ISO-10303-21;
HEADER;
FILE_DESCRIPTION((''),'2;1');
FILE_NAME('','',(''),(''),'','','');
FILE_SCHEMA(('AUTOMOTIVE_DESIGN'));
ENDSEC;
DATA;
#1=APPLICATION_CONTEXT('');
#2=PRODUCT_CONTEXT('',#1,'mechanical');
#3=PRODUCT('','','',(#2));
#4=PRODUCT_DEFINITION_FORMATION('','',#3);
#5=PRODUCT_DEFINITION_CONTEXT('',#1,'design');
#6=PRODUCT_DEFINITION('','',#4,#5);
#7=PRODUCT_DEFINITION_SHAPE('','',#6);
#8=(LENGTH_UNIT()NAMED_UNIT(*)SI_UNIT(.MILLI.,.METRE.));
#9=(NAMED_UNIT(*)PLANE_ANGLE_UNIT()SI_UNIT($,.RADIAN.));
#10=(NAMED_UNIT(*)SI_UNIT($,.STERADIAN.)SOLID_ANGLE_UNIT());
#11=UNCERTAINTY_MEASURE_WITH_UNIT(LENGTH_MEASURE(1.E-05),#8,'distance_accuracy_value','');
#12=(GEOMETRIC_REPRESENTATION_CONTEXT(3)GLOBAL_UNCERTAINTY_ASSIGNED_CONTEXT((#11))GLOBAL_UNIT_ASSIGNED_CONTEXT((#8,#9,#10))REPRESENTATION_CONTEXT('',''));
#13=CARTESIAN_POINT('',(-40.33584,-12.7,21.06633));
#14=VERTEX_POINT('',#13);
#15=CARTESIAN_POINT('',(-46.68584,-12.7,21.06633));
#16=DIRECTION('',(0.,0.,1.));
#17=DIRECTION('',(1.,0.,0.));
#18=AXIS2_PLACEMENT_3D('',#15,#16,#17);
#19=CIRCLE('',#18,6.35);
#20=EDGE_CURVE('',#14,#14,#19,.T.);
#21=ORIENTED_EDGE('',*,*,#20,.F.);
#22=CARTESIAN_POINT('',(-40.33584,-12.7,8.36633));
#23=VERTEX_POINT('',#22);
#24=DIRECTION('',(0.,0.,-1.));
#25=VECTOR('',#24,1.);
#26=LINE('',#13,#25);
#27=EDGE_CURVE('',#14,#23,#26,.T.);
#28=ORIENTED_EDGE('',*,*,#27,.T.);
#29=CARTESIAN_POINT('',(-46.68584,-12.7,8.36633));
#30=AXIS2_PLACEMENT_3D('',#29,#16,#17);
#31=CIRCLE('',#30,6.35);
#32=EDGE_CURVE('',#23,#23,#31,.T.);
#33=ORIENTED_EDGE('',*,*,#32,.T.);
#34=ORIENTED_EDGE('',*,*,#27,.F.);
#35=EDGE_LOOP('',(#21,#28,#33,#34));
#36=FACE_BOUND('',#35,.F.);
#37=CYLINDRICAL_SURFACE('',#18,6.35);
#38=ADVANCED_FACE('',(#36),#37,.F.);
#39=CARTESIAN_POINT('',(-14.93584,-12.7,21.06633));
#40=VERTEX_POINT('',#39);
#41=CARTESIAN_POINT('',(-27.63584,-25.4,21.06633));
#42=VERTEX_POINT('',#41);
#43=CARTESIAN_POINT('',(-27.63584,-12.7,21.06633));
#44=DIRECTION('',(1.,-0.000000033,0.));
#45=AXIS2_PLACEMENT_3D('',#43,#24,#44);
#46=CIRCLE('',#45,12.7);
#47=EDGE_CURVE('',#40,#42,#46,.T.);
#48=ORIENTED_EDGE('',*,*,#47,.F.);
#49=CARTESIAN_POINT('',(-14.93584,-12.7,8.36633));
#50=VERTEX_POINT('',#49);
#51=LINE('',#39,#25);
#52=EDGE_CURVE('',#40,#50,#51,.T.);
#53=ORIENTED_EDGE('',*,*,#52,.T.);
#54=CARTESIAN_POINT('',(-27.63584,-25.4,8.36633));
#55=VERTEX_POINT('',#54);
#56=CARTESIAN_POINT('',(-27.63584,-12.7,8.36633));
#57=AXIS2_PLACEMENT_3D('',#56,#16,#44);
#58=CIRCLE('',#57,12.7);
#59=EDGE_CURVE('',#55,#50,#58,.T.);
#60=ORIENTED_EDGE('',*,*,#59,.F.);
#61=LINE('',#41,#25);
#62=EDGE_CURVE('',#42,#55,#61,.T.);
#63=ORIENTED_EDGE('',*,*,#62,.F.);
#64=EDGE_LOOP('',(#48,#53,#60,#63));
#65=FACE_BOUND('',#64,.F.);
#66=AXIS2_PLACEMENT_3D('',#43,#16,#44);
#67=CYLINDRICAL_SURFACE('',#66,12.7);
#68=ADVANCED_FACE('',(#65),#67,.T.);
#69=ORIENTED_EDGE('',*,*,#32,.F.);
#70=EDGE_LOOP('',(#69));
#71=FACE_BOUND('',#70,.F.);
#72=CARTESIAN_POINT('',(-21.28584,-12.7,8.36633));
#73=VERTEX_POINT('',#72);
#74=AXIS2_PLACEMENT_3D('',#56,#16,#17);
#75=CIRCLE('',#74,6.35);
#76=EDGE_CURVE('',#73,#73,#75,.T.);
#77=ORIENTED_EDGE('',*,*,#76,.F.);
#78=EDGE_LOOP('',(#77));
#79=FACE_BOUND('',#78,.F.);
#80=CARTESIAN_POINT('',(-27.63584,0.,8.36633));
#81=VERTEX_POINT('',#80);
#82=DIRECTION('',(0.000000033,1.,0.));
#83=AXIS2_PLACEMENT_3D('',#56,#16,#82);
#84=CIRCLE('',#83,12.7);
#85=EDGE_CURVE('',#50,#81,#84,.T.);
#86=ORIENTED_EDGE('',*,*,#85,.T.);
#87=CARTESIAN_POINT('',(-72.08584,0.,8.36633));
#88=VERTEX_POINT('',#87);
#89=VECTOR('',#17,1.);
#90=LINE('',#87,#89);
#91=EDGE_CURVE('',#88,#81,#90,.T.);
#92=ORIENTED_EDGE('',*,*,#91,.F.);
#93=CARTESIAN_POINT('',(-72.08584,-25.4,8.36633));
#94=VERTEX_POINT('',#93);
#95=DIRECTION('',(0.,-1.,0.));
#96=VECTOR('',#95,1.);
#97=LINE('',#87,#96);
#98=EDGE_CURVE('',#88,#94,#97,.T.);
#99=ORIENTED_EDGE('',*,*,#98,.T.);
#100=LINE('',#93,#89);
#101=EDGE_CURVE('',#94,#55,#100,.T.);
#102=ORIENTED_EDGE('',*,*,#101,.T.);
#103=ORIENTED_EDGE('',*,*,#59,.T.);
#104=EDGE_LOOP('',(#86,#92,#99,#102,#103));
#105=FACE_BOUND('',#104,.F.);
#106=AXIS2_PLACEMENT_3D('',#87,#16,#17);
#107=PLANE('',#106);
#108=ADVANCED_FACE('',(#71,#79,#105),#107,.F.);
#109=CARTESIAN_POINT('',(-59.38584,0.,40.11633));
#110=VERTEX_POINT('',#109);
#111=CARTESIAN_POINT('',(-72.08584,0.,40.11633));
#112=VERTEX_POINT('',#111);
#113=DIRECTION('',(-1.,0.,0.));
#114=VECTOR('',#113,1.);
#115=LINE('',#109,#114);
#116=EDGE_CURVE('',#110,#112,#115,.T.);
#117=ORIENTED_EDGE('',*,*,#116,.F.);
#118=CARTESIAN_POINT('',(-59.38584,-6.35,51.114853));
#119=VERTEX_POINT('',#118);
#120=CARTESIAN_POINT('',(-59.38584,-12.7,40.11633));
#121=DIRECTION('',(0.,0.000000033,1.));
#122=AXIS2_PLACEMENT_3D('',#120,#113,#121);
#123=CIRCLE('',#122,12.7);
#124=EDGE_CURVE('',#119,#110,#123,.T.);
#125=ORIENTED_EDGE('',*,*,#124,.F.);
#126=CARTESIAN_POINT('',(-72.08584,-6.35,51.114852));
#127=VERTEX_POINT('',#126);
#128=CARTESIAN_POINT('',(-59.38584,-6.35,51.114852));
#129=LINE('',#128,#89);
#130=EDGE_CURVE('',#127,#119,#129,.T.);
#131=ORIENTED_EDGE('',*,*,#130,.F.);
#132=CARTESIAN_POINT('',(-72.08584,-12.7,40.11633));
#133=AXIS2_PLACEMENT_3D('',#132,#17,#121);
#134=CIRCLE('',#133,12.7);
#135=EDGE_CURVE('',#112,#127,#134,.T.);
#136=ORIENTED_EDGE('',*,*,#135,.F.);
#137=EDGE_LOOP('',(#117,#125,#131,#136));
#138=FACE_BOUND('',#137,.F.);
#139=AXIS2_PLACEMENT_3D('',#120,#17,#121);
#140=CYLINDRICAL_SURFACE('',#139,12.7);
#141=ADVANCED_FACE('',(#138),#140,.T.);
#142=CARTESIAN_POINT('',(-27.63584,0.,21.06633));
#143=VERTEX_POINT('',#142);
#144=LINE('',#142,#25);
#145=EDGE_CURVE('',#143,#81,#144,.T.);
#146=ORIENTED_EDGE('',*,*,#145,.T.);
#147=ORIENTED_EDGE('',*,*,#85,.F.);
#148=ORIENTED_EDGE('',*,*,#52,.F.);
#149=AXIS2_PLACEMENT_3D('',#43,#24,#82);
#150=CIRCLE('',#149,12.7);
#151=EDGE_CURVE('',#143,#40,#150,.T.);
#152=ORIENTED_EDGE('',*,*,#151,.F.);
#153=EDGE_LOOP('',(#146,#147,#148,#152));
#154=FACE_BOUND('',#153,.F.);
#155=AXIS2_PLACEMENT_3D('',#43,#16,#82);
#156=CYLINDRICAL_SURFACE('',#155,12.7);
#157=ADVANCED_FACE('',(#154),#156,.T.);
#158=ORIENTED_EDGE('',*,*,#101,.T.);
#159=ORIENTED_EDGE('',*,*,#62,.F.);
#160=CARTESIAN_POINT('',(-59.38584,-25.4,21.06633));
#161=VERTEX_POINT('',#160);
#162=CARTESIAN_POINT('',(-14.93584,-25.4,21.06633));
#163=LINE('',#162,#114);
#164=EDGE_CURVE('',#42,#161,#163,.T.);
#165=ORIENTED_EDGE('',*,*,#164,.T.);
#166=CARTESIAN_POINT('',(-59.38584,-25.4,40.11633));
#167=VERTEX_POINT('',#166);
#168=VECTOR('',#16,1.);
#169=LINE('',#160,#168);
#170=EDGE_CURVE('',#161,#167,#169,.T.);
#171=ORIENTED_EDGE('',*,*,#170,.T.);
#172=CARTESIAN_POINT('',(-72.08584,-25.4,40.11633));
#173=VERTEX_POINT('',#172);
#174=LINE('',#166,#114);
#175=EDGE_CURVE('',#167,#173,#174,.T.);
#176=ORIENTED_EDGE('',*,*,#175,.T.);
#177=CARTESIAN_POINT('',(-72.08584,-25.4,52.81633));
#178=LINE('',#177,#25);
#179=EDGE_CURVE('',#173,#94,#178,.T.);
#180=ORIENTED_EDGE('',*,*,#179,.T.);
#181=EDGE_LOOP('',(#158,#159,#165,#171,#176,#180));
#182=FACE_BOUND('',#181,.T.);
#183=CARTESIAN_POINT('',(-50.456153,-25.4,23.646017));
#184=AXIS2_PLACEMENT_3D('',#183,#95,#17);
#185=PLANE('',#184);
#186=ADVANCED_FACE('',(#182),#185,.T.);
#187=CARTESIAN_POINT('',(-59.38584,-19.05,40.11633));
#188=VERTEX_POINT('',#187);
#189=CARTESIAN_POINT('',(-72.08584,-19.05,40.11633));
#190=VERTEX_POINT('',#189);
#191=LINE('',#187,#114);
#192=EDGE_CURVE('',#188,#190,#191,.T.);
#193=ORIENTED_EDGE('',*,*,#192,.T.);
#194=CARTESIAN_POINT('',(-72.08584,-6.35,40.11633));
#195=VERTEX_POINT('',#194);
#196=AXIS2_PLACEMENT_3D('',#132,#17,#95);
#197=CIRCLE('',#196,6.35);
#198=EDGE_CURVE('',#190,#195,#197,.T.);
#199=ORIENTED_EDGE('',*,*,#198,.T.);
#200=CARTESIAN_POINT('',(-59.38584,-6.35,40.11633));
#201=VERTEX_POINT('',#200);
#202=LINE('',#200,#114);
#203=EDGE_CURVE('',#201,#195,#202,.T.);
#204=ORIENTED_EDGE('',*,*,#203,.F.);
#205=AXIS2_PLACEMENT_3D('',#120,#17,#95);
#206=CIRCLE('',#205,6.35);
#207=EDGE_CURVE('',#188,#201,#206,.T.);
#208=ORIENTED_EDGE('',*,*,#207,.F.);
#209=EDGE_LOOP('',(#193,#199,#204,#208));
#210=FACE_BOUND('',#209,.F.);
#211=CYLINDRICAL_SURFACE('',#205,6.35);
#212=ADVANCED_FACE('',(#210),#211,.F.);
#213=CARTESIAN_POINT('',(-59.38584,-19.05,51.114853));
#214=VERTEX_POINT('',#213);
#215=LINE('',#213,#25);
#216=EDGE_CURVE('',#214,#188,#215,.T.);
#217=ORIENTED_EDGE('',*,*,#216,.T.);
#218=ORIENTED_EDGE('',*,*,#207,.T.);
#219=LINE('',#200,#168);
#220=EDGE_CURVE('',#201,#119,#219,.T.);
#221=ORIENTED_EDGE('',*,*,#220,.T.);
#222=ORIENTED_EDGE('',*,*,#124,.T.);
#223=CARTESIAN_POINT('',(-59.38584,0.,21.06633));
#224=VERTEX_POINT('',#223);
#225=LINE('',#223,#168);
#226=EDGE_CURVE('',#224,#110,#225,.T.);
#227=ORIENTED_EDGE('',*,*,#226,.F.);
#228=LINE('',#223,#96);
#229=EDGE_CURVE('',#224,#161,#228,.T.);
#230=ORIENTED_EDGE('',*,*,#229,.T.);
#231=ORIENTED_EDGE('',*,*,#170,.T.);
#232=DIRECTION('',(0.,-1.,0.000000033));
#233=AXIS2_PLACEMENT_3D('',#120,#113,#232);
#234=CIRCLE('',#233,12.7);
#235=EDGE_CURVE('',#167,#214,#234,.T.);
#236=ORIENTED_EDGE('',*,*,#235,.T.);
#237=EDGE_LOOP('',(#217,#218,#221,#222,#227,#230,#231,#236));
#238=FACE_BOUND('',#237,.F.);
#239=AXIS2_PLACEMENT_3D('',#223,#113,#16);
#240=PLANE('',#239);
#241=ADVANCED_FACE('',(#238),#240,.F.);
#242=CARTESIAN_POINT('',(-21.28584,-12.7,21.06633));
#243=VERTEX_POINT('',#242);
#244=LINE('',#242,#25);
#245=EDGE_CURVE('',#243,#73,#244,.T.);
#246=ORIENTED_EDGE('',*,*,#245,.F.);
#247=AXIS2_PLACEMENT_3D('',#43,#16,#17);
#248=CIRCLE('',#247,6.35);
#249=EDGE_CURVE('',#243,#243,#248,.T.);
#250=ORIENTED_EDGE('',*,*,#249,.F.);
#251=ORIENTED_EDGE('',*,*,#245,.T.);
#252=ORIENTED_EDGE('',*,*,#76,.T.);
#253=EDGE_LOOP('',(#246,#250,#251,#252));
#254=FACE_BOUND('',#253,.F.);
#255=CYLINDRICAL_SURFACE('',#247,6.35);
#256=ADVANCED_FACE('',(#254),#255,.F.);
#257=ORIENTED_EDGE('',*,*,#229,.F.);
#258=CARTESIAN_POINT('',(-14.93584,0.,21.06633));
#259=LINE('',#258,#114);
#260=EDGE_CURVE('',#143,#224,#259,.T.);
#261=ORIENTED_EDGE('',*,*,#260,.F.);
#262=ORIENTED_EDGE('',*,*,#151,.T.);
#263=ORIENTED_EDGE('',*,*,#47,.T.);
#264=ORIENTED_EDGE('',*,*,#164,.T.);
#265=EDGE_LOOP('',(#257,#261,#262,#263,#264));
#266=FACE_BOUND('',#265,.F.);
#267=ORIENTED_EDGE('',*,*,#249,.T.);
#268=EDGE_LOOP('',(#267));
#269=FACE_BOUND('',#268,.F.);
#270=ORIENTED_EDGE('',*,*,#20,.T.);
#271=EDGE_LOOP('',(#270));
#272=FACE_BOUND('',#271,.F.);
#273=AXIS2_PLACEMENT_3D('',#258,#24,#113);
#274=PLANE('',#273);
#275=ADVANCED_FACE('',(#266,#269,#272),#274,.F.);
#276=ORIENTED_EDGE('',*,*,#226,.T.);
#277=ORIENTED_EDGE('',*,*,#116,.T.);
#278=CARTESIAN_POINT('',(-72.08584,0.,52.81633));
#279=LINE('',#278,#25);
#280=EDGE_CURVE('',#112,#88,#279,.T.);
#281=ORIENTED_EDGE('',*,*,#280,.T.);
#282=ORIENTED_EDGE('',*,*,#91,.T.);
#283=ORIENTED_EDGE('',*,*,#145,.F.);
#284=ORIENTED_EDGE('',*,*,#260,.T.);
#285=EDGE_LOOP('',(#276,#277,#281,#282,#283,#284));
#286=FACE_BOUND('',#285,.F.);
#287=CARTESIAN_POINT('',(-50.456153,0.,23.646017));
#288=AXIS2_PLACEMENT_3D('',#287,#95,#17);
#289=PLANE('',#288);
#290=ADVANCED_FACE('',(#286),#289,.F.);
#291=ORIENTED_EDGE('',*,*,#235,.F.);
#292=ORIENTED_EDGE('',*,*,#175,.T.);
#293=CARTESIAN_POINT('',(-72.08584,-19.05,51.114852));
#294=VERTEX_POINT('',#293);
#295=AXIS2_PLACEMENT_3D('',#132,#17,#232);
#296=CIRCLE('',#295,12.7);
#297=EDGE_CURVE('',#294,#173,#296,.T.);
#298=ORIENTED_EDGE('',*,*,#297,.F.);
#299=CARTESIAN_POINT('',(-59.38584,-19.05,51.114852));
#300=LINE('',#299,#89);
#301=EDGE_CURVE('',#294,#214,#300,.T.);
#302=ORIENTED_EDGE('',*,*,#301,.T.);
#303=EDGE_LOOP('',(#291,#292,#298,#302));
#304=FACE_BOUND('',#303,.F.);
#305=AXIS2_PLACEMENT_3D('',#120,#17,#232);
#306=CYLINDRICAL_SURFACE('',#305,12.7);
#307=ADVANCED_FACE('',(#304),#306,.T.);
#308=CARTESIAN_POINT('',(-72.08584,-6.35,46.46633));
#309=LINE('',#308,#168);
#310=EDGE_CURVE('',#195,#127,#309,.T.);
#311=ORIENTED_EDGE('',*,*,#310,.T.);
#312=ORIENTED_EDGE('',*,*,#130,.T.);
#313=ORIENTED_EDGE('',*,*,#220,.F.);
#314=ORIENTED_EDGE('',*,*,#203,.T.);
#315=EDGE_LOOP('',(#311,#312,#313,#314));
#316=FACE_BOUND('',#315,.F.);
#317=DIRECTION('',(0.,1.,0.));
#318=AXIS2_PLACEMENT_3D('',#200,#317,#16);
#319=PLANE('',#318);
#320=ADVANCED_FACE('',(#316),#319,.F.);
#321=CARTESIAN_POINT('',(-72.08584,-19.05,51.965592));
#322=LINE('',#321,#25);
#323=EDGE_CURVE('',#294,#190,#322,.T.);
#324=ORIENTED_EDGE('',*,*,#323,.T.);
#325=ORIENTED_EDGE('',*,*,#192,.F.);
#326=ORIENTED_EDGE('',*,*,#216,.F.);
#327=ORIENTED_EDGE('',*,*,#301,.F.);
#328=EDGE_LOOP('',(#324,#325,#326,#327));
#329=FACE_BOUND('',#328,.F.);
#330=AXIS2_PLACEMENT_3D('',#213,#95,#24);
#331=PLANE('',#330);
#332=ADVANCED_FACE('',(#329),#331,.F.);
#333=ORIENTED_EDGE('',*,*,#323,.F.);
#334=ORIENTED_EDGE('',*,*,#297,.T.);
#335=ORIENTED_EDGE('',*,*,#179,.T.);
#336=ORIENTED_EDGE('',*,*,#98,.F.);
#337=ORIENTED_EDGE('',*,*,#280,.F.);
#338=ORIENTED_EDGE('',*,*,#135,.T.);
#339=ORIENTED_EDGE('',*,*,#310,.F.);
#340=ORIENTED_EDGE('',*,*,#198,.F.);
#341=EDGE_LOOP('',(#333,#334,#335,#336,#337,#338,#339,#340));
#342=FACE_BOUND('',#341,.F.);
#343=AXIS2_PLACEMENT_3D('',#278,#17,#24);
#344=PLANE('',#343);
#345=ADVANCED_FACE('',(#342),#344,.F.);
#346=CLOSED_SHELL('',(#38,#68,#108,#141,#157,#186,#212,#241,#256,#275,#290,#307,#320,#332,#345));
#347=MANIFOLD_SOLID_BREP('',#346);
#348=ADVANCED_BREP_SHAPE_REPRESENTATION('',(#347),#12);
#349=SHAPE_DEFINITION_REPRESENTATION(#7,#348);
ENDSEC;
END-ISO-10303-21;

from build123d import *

# Parameters (mm, degrees)
F1_DEPTH = 25.4
F2_R     = 6.35
F3_DEPTH = 12.701
F5_DEPTH = 12.701
F7_DEPTH = 12.701
F9_DEPTH = 12.701


with BuildPart() as f1:
    # F0 (on Front) → F1 (new body)
    with BuildSketch(Plane.XZ):
        Polygon((-72.08584, 8.36633), (-14.93584, 8.36633), (-14.93584, 21.06633), (-59.38584, 21.06633), (-59.38584, 52.81633), (-72.08584, 52.81633), align=None)
    extrude(amount=F1_DEPTH)

    # F2 (on face) → F3 (cut, through all)
    with BuildSketch(Plane.XY.offset(21.06633)):
        with Locations((-46.68584, -12.7)):
            Circle(F2_R)
        with Locations((-27.63584, -12.7)):
            Circle(F2_R)
    extrude(amount=-F3_DEPTH, mode=Mode.SUBTRACT)

    # F4 (on face) → F5 (cut, through all)
    with BuildSketch(Plane.XY.offset(21.06633)):
        with BuildLine():
            ThreePointArc((-27.63584, 0), (-18.655584, -3.719744), (-14.93584, -12.7))
            Line((-14.93584, -12.7), (-14.93584, 0))
            Line((-14.93584, 0), (-27.63584, 0))
        make_face()
        with BuildLine():
            ThreePointArc((-14.93584, -12.7), (-18.655584, -21.680256), (-27.63584, -25.4))
            Line((-27.63584, -25.4), (-14.93584, -25.4))
            Line((-14.93584, -25.4), (-14.93584, -12.7))
        make_face()
    extrude(amount=-F5_DEPTH, mode=Mode.SUBTRACT)

    # F6 (on face) → F7 (cut, through all)
    with BuildSketch(Plane.YZ.offset(-59.38584)):
        with BuildLine():
            ThreePointArc((-25.4, 40.11633), (-21.680256, 49.096586), (-12.7, 52.81633))
            Line((-12.7, 52.81633), (-25.4, 52.81633))
            Line((-25.4, 52.81633), (-25.4, 40.11633))
        make_face()
        with BuildLine():
            ThreePointArc((-12.7, 52.81633), (-3.719744, 49.096586), (0, 40.11633))
            Line((0, 40.11633), (0, 52.81633))
            Line((0, 52.81633), (-12.7, 52.81633))
        make_face()
    extrude(amount=-F7_DEPTH, mode=Mode.SUBTRACT)

    # F8 (on face) → F9 (cut, through all)
    with BuildSketch(Plane.YZ.offset(-59.38584)):
        with BuildLine():
            ThreePointArc((-19.05, 40.11633), (-12.7, 33.76633), (-6.35, 40.11633))
            Line((-6.35, 40.11633), (-12.7, 40.11633))
            Line((-12.7, 40.11633), (-19.05, 40.11633))
        make_face()
        with BuildLine():
            ThreePointArc((-19.05, 40.11633), (-12.7, 46.46633), (-6.35, 40.11633))
            Line((-6.35, 40.11633), (-6.35, 51.114853))
            ThreePointArc((-6.35, 51.114853), (-12.7, 52.81633), (-19.05, 51.114853))
            Line((-19.05, 51.114853), (-19.05, 40.11633))
        make_face()
        with BuildLine():
            Line((-12.7, 40.11633), (-6.35, 40.11633))
            ThreePointArc((-6.35, 40.11633), (-12.7, 46.46633), (-19.05, 40.11633))
            Line((-19.05, 40.11633), (-12.7, 40.11633))
        make_face()
    extrude(amount=-F9_DEPTH, mode=Mode.SUBTRACT)


solid = f1.part
